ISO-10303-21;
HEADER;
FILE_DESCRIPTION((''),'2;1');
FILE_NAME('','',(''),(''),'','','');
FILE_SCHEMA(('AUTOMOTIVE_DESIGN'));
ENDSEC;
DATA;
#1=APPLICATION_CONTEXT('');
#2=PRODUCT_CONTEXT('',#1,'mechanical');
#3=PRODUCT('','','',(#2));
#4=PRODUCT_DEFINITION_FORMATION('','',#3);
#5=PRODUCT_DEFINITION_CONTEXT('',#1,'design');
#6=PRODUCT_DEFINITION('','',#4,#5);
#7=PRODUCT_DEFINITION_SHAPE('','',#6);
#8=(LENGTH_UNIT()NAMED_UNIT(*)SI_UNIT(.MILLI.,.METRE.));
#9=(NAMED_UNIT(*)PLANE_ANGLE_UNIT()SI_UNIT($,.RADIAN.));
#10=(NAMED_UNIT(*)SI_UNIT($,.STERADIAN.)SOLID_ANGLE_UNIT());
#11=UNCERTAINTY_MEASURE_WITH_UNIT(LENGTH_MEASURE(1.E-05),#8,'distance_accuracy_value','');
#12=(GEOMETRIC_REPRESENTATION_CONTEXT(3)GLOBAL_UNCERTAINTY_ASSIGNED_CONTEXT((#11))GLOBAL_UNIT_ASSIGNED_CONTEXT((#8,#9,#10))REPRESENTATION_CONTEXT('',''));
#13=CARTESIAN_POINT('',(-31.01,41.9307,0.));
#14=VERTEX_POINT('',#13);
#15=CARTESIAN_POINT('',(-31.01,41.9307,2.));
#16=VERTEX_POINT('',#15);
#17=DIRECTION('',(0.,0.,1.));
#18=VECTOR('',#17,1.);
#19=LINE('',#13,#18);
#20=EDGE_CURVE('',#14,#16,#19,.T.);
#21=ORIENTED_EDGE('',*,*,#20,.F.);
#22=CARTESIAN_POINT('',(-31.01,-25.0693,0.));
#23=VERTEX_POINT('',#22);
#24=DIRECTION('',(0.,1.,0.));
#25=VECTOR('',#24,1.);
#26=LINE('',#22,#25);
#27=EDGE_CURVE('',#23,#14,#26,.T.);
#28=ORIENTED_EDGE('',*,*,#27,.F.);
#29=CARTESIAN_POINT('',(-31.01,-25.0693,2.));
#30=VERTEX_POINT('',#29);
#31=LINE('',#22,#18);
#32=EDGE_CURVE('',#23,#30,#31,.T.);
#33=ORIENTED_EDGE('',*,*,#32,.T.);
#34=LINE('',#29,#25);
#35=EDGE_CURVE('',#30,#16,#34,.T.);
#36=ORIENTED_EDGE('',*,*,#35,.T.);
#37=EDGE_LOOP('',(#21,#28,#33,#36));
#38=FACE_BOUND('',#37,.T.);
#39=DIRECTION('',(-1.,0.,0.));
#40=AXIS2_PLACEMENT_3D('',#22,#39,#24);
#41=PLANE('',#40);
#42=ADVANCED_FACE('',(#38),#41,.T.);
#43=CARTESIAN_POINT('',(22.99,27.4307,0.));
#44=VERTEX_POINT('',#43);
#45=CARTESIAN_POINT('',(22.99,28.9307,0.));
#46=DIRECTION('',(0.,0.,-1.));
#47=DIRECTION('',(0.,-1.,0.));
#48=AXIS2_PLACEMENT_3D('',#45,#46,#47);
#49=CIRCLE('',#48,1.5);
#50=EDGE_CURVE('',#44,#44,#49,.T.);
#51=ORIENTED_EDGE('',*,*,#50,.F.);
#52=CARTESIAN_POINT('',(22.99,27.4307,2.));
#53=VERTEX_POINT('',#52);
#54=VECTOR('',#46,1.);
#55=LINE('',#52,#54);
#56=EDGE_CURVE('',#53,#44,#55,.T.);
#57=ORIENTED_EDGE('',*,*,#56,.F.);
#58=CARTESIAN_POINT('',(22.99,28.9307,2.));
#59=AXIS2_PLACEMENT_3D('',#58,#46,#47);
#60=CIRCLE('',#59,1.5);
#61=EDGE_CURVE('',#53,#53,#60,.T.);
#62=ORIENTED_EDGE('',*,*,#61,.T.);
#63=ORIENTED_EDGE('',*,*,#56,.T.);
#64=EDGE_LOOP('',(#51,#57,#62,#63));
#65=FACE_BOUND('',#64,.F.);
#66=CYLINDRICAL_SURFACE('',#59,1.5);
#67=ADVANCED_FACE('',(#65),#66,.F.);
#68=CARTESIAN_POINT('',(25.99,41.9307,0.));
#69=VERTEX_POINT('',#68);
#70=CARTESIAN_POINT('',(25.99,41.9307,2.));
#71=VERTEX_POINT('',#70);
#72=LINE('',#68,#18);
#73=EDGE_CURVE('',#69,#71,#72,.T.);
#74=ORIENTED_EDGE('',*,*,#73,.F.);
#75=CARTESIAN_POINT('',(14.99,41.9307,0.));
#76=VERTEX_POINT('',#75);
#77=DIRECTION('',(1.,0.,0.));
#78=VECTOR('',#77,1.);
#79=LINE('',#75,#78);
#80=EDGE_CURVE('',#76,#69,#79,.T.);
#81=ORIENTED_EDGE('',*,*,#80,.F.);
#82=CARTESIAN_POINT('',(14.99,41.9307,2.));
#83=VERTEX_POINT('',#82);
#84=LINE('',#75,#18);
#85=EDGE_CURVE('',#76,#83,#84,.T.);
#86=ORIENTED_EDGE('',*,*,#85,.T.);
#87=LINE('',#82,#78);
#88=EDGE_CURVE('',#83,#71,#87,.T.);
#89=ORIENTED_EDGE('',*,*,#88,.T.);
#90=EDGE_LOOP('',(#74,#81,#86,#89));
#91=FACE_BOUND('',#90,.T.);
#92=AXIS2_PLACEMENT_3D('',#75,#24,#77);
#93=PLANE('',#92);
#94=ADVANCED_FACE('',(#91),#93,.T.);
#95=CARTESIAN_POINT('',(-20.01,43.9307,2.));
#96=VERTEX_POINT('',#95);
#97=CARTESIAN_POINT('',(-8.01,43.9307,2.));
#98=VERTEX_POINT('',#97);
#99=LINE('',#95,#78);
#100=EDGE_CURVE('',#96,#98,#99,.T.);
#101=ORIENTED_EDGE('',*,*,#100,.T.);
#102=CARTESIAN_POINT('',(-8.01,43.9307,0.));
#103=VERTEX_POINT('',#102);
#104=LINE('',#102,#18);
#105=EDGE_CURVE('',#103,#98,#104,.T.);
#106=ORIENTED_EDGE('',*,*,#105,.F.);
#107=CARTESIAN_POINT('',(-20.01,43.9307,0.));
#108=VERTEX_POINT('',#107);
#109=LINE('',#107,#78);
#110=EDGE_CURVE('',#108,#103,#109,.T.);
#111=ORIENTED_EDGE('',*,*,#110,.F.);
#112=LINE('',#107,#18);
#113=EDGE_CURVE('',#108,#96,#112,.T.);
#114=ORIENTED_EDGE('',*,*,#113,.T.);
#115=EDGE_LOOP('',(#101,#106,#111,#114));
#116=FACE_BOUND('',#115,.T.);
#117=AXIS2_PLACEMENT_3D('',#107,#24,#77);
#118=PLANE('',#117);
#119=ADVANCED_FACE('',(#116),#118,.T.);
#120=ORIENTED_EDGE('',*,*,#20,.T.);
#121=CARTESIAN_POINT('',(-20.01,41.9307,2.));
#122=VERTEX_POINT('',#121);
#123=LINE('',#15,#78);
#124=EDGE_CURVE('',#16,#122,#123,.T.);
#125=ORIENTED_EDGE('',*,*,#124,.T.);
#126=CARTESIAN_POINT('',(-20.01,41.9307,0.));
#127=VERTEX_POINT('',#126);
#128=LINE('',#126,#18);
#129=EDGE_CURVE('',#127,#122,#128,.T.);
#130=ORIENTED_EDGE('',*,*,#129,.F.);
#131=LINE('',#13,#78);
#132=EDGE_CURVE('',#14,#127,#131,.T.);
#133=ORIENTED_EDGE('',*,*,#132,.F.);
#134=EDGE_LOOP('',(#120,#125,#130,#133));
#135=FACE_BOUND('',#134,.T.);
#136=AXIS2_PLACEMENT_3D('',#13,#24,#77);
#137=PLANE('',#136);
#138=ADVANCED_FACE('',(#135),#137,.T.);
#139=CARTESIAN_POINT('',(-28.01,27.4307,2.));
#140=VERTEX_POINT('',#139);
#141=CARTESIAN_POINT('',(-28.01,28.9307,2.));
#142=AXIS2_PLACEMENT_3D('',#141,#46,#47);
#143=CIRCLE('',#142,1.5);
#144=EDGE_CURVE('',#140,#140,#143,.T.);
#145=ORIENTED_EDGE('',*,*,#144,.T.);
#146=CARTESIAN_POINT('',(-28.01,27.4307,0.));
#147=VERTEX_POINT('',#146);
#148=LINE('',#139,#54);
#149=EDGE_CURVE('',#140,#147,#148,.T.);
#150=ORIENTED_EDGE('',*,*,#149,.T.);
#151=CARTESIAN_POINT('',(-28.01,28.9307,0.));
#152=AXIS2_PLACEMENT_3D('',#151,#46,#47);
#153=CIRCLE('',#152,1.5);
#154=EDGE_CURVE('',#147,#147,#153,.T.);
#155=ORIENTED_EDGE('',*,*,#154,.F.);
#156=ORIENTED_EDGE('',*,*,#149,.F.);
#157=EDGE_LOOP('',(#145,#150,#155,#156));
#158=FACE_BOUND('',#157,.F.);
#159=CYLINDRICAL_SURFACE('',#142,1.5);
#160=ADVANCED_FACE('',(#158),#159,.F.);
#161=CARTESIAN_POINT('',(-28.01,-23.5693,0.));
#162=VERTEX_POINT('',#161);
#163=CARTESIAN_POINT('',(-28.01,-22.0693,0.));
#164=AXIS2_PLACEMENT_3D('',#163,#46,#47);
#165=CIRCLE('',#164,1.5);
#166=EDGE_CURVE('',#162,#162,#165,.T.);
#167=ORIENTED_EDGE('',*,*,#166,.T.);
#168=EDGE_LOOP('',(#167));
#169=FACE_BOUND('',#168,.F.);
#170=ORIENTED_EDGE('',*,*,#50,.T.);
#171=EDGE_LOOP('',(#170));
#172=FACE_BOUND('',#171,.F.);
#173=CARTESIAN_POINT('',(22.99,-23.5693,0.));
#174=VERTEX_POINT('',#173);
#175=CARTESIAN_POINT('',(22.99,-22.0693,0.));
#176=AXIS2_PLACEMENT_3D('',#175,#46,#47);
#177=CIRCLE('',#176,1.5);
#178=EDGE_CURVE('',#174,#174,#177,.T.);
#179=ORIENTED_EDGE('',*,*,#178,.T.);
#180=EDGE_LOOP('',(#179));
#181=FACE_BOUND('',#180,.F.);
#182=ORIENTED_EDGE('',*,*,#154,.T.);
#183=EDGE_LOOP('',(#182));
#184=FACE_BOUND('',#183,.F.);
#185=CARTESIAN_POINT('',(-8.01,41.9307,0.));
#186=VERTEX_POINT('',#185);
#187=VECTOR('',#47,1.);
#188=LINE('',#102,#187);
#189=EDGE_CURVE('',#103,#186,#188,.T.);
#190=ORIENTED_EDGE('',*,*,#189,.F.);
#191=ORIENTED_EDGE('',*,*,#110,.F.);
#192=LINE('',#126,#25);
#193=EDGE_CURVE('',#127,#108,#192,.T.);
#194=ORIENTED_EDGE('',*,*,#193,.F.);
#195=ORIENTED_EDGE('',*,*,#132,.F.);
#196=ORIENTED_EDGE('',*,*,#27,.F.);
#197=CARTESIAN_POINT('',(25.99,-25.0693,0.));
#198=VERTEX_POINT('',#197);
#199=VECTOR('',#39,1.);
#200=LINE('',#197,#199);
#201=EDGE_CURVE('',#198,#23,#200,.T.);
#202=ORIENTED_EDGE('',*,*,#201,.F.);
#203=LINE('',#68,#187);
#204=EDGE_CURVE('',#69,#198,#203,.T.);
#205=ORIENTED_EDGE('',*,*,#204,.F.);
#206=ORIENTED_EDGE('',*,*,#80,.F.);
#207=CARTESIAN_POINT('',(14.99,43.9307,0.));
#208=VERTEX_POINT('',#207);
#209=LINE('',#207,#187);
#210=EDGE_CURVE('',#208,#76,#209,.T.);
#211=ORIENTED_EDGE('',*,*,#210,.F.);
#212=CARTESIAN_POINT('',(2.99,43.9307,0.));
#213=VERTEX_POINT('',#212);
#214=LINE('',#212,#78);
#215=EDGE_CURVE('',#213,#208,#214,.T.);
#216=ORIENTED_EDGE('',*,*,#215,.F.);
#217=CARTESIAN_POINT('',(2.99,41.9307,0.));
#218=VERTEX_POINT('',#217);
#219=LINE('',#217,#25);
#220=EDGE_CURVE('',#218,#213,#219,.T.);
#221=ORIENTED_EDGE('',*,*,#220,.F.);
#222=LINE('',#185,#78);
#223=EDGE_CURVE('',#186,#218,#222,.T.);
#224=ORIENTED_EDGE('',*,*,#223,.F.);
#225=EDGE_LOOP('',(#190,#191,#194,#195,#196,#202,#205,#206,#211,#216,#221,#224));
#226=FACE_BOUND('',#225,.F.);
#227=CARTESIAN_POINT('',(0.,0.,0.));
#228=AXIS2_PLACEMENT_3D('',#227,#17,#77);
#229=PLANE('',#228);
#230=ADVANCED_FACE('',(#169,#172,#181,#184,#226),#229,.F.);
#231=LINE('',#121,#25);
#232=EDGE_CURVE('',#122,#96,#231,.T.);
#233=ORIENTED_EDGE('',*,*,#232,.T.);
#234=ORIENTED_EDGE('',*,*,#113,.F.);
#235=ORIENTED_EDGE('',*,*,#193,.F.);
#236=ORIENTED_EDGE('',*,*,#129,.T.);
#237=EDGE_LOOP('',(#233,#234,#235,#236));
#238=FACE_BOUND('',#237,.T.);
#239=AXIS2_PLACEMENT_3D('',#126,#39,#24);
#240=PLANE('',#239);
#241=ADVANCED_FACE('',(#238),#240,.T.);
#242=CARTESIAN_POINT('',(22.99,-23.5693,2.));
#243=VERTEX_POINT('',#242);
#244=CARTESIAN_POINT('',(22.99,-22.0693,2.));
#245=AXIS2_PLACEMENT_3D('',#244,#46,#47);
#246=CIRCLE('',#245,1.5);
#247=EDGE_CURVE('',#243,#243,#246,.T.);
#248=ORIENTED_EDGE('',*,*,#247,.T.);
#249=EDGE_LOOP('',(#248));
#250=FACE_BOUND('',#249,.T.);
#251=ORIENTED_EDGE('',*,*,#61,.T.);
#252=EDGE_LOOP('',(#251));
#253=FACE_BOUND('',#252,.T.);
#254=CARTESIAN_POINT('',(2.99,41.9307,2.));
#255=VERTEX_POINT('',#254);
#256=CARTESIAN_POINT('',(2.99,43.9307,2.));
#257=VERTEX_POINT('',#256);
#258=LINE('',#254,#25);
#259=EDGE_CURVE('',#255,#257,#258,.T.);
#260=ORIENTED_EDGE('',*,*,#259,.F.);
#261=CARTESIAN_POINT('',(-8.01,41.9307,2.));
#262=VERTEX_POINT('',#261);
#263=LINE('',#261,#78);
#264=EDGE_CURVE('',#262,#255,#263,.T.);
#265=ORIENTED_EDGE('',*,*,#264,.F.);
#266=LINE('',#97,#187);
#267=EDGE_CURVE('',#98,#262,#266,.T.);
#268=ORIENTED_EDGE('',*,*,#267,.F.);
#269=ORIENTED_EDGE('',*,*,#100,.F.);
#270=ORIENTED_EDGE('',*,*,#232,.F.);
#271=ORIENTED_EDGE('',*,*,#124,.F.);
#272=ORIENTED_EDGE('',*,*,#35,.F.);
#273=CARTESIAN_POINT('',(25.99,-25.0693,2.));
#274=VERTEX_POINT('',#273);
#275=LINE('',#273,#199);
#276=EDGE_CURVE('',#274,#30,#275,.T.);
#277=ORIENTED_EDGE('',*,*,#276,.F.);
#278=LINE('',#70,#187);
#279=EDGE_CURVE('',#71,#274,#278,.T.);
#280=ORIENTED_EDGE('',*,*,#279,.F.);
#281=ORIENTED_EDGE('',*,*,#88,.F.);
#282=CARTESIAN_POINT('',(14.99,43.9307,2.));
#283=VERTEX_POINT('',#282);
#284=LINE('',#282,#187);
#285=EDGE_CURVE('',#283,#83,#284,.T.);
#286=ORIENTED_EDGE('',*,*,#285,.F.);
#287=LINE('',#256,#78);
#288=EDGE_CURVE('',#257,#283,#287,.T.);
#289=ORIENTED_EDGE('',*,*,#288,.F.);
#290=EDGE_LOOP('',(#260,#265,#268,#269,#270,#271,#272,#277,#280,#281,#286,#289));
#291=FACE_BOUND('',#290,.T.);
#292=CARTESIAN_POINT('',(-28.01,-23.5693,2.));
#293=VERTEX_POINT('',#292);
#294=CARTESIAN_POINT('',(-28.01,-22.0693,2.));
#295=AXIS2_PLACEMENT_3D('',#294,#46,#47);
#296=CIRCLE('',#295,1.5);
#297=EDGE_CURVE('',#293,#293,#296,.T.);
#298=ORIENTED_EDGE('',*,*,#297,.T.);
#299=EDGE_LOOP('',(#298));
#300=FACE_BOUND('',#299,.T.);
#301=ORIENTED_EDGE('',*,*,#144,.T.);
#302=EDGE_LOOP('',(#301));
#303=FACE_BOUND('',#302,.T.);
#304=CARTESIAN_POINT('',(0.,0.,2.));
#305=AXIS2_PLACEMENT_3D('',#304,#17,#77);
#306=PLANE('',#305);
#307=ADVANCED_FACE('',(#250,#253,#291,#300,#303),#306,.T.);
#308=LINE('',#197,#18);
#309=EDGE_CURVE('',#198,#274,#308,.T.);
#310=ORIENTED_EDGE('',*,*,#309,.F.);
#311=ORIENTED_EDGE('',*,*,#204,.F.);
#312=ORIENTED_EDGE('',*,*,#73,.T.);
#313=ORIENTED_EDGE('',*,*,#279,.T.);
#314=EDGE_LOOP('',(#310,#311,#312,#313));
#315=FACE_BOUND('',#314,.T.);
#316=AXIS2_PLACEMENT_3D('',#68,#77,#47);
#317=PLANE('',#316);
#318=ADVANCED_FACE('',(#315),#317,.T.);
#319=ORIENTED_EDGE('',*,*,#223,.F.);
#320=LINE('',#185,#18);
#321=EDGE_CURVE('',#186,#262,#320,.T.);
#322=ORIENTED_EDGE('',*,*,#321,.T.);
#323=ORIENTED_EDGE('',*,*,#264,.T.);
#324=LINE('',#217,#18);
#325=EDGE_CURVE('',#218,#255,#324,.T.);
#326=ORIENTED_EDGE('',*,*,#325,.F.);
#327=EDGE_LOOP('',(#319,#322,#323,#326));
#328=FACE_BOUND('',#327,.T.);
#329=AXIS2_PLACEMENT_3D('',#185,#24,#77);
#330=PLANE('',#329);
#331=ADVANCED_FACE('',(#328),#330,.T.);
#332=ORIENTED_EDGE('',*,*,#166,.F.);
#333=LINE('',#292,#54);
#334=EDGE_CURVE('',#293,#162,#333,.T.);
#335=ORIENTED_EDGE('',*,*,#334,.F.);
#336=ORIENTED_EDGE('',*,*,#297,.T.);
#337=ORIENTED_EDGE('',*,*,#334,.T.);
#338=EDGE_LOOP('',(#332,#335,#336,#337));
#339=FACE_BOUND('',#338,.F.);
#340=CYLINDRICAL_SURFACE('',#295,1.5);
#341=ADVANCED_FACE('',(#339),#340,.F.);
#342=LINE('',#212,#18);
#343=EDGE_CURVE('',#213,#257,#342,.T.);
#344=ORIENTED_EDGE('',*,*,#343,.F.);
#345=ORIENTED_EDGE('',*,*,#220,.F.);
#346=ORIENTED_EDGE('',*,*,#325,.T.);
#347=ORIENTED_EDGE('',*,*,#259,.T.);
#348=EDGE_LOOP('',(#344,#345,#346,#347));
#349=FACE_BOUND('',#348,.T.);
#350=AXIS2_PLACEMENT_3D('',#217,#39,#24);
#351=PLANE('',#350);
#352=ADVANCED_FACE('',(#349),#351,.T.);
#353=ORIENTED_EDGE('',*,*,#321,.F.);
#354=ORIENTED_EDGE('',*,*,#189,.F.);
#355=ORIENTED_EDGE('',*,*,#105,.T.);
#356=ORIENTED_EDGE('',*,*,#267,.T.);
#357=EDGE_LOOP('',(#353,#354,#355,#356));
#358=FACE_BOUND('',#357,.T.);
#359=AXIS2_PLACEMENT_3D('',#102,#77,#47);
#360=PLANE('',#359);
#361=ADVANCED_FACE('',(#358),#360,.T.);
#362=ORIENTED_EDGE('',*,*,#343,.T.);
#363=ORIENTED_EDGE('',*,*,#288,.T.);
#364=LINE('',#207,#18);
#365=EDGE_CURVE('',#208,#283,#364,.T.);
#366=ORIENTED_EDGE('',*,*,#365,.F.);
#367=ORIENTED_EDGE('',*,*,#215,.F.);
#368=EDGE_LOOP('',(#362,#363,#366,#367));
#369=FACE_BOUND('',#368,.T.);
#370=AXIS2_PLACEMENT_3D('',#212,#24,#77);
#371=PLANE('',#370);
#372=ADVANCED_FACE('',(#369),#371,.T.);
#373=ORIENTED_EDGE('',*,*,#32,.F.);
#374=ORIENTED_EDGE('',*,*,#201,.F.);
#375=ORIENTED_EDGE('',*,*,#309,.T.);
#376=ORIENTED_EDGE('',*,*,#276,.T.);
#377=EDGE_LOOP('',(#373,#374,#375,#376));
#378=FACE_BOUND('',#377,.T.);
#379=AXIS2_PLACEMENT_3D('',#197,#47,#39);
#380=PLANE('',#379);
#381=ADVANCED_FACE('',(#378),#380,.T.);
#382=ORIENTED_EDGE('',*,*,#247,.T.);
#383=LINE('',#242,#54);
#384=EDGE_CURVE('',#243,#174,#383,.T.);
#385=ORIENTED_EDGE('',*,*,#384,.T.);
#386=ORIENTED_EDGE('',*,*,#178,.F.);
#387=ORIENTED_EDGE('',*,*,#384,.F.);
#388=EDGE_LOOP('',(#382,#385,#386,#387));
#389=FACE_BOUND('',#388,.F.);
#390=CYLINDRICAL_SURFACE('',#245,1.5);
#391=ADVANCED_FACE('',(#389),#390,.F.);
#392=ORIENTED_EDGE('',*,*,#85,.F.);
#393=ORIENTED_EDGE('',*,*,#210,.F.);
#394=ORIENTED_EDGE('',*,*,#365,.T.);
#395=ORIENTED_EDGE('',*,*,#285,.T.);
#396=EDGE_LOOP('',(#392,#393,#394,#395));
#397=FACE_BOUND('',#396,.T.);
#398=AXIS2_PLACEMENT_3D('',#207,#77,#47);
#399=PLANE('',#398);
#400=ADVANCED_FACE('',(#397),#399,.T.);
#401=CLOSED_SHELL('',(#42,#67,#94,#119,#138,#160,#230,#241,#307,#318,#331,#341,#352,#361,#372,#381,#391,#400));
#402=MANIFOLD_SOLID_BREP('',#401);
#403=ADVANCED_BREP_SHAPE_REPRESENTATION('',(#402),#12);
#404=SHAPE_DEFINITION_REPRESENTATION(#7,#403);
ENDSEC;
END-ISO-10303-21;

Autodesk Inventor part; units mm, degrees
ref_plane "YZ Plane" through (0, 0, 0) normal (1, 0, 0) x (0, 1, 0)
ref_plane "XZ Plane" through (0, 0, 0) normal (0, 1, 0) x (-1, 0, 0)
ref_plane "XY Plane" through (0, 0, 0) normal (0, 0, 1) x (1, 0, 0)
sketch "Sketch1" plane through (0, 0, 0) normal (0, 0, 1) x (1, 0, 0)
  line L0 (25.99, 41.9307) -> (25.99, -25.0693)
  line L1 (25.99, -25.0693) -> (-31.01, -25.0693)
  line L2 (-31.01, -25.0693) -> (-31.01, 41.9307)
  circle A0 centre (-28.01, -22.0693) radius 1.5
  circle A1 centre (22.99, -22.0693) radius 1.5
  circle A2 centre (-28.01, 28.9307) radius 1.5
  circle A3 centre (22.99, 28.9307) radius 1.5
  line L3 (-20.01, 41.9307) -> (-20.01, 43.9307)
  line L4 (-20.01, 43.9307) -> (-8.01, 43.9307)
  line L5 (-8.01, 43.9307) -> (-8.01, 41.9307)
  line L6 (2.99, 41.9307) -> (2.99, 43.9307)
  line L7 (2.99, 43.9307) -> (14.99, 43.9307)
  line L8 (14.99, 43.9307) -> (14.99, 41.9307)
  line L9 (-31.01, 41.9307) -> (-20.01, 41.9307)
  line L10 (-8.01, 41.9307) -> (2.99, 41.9307)
  line L11 (14.99, 41.9307) -> (25.99, 41.9307)
  point P0 (0, 0)
  dimension "d0" = 57
  dimension "d1" = 67
  dimension "d2" = 3
  dimension "d3" = 3
  dimension "d4" = 3
  dimension "d5" = 51
  dimension "d6" = 51
  dimension "d7" = 51
  dimension "d8" = 51
  dimension "d9" = 3
  dimension "d10" = 2
  dimension "d11" = 12
  dimension "d12" = 12
  dimension "d13" = 11
  dimension "d14" = 11
  dimension "d15" = 3
  dimension "d16" = 3
  dimension "d17" = 3
extrude "Extrusion1" add sketch "Sketch1" along normal blind 2 contours L0 L1 L2 L9 L3 L4 L5 L10 L6 L7 L8 L11 | A0 | A1 | A2 | A3
sketch "Sketch2" plane through (0, 0, 2) normal (0, 0, 1) x (1, 0, 0)
  line L0 (-31.01, -25.0693) -> (-31.01, 41.9307)
  line L1 (25.99, 41.9307) -> (25.99, -25.0693)
  circle A0 centre (22.99, 28.9307) radius 1.5
  line L2 (-31.01, 41.9307) -> (-20.01, 41.9307)
  line L3 (-8.01, 41.9307) -> (2.99, 41.9307)
  line L4 (-20.01, 41.9307) -> (-20.01, 43.9307)
  line L5 (-20.01, 43.9307) -> (-8.01, 43.9307)
  line L6 (-8.01, 43.9307) -> (-8.01, 41.9307)
  line L7 (14.99, 41.9307) -> (25.99, 41.9307)
  line L8 (2.99, 41.9307) -> (2.99, 43.9307)
  line L9 (2.99, 43.9307) -> (14.99, 43.9307)
  line L10 (14.99, 43.9307) -> (14.99, 41.9307)
  circle A1 centre (-28.01, -22.0693) radius 1.5
  circle A2 centre (22.99, -22.0693) radius 1.5
  line L11 (25.99, -25.0693) -> (-31.01, -25.0693)
  circle A3 centre (-28.01, 28.9307) radius 1.5
  point P0 (0, 0)
  point P1 (0, 0)
  dimension "d20" = 57
  dimension "d21" = 67
  dimension "d22" = 3
  dimension "d23" = 3
  dimension "d24" = 3
  dimension "d25" = 51
  dimension "d26" = 51
  dimension "d27" = 51
  dimension "d28" = 51
  dimension "d29" = 3
  dimension "d30" = 2
  dimension "d31" = 12
  dimension "d32" = 12
  dimension "d33" = 11
  dimension "d34" = 11
  dimension "d35" = 3
  dimension "d36" = 3
  dimension "d37" = 3
hole "Hole1" at (-28.01, 28.9307, 2) at (22.99, 28.9307, 2) at (22.99, -22.0693, 2) at (-28.01, -22.0693, 2) direction (0, 0, -1) diameter 3 end through all
properties part number "board uvtron"
